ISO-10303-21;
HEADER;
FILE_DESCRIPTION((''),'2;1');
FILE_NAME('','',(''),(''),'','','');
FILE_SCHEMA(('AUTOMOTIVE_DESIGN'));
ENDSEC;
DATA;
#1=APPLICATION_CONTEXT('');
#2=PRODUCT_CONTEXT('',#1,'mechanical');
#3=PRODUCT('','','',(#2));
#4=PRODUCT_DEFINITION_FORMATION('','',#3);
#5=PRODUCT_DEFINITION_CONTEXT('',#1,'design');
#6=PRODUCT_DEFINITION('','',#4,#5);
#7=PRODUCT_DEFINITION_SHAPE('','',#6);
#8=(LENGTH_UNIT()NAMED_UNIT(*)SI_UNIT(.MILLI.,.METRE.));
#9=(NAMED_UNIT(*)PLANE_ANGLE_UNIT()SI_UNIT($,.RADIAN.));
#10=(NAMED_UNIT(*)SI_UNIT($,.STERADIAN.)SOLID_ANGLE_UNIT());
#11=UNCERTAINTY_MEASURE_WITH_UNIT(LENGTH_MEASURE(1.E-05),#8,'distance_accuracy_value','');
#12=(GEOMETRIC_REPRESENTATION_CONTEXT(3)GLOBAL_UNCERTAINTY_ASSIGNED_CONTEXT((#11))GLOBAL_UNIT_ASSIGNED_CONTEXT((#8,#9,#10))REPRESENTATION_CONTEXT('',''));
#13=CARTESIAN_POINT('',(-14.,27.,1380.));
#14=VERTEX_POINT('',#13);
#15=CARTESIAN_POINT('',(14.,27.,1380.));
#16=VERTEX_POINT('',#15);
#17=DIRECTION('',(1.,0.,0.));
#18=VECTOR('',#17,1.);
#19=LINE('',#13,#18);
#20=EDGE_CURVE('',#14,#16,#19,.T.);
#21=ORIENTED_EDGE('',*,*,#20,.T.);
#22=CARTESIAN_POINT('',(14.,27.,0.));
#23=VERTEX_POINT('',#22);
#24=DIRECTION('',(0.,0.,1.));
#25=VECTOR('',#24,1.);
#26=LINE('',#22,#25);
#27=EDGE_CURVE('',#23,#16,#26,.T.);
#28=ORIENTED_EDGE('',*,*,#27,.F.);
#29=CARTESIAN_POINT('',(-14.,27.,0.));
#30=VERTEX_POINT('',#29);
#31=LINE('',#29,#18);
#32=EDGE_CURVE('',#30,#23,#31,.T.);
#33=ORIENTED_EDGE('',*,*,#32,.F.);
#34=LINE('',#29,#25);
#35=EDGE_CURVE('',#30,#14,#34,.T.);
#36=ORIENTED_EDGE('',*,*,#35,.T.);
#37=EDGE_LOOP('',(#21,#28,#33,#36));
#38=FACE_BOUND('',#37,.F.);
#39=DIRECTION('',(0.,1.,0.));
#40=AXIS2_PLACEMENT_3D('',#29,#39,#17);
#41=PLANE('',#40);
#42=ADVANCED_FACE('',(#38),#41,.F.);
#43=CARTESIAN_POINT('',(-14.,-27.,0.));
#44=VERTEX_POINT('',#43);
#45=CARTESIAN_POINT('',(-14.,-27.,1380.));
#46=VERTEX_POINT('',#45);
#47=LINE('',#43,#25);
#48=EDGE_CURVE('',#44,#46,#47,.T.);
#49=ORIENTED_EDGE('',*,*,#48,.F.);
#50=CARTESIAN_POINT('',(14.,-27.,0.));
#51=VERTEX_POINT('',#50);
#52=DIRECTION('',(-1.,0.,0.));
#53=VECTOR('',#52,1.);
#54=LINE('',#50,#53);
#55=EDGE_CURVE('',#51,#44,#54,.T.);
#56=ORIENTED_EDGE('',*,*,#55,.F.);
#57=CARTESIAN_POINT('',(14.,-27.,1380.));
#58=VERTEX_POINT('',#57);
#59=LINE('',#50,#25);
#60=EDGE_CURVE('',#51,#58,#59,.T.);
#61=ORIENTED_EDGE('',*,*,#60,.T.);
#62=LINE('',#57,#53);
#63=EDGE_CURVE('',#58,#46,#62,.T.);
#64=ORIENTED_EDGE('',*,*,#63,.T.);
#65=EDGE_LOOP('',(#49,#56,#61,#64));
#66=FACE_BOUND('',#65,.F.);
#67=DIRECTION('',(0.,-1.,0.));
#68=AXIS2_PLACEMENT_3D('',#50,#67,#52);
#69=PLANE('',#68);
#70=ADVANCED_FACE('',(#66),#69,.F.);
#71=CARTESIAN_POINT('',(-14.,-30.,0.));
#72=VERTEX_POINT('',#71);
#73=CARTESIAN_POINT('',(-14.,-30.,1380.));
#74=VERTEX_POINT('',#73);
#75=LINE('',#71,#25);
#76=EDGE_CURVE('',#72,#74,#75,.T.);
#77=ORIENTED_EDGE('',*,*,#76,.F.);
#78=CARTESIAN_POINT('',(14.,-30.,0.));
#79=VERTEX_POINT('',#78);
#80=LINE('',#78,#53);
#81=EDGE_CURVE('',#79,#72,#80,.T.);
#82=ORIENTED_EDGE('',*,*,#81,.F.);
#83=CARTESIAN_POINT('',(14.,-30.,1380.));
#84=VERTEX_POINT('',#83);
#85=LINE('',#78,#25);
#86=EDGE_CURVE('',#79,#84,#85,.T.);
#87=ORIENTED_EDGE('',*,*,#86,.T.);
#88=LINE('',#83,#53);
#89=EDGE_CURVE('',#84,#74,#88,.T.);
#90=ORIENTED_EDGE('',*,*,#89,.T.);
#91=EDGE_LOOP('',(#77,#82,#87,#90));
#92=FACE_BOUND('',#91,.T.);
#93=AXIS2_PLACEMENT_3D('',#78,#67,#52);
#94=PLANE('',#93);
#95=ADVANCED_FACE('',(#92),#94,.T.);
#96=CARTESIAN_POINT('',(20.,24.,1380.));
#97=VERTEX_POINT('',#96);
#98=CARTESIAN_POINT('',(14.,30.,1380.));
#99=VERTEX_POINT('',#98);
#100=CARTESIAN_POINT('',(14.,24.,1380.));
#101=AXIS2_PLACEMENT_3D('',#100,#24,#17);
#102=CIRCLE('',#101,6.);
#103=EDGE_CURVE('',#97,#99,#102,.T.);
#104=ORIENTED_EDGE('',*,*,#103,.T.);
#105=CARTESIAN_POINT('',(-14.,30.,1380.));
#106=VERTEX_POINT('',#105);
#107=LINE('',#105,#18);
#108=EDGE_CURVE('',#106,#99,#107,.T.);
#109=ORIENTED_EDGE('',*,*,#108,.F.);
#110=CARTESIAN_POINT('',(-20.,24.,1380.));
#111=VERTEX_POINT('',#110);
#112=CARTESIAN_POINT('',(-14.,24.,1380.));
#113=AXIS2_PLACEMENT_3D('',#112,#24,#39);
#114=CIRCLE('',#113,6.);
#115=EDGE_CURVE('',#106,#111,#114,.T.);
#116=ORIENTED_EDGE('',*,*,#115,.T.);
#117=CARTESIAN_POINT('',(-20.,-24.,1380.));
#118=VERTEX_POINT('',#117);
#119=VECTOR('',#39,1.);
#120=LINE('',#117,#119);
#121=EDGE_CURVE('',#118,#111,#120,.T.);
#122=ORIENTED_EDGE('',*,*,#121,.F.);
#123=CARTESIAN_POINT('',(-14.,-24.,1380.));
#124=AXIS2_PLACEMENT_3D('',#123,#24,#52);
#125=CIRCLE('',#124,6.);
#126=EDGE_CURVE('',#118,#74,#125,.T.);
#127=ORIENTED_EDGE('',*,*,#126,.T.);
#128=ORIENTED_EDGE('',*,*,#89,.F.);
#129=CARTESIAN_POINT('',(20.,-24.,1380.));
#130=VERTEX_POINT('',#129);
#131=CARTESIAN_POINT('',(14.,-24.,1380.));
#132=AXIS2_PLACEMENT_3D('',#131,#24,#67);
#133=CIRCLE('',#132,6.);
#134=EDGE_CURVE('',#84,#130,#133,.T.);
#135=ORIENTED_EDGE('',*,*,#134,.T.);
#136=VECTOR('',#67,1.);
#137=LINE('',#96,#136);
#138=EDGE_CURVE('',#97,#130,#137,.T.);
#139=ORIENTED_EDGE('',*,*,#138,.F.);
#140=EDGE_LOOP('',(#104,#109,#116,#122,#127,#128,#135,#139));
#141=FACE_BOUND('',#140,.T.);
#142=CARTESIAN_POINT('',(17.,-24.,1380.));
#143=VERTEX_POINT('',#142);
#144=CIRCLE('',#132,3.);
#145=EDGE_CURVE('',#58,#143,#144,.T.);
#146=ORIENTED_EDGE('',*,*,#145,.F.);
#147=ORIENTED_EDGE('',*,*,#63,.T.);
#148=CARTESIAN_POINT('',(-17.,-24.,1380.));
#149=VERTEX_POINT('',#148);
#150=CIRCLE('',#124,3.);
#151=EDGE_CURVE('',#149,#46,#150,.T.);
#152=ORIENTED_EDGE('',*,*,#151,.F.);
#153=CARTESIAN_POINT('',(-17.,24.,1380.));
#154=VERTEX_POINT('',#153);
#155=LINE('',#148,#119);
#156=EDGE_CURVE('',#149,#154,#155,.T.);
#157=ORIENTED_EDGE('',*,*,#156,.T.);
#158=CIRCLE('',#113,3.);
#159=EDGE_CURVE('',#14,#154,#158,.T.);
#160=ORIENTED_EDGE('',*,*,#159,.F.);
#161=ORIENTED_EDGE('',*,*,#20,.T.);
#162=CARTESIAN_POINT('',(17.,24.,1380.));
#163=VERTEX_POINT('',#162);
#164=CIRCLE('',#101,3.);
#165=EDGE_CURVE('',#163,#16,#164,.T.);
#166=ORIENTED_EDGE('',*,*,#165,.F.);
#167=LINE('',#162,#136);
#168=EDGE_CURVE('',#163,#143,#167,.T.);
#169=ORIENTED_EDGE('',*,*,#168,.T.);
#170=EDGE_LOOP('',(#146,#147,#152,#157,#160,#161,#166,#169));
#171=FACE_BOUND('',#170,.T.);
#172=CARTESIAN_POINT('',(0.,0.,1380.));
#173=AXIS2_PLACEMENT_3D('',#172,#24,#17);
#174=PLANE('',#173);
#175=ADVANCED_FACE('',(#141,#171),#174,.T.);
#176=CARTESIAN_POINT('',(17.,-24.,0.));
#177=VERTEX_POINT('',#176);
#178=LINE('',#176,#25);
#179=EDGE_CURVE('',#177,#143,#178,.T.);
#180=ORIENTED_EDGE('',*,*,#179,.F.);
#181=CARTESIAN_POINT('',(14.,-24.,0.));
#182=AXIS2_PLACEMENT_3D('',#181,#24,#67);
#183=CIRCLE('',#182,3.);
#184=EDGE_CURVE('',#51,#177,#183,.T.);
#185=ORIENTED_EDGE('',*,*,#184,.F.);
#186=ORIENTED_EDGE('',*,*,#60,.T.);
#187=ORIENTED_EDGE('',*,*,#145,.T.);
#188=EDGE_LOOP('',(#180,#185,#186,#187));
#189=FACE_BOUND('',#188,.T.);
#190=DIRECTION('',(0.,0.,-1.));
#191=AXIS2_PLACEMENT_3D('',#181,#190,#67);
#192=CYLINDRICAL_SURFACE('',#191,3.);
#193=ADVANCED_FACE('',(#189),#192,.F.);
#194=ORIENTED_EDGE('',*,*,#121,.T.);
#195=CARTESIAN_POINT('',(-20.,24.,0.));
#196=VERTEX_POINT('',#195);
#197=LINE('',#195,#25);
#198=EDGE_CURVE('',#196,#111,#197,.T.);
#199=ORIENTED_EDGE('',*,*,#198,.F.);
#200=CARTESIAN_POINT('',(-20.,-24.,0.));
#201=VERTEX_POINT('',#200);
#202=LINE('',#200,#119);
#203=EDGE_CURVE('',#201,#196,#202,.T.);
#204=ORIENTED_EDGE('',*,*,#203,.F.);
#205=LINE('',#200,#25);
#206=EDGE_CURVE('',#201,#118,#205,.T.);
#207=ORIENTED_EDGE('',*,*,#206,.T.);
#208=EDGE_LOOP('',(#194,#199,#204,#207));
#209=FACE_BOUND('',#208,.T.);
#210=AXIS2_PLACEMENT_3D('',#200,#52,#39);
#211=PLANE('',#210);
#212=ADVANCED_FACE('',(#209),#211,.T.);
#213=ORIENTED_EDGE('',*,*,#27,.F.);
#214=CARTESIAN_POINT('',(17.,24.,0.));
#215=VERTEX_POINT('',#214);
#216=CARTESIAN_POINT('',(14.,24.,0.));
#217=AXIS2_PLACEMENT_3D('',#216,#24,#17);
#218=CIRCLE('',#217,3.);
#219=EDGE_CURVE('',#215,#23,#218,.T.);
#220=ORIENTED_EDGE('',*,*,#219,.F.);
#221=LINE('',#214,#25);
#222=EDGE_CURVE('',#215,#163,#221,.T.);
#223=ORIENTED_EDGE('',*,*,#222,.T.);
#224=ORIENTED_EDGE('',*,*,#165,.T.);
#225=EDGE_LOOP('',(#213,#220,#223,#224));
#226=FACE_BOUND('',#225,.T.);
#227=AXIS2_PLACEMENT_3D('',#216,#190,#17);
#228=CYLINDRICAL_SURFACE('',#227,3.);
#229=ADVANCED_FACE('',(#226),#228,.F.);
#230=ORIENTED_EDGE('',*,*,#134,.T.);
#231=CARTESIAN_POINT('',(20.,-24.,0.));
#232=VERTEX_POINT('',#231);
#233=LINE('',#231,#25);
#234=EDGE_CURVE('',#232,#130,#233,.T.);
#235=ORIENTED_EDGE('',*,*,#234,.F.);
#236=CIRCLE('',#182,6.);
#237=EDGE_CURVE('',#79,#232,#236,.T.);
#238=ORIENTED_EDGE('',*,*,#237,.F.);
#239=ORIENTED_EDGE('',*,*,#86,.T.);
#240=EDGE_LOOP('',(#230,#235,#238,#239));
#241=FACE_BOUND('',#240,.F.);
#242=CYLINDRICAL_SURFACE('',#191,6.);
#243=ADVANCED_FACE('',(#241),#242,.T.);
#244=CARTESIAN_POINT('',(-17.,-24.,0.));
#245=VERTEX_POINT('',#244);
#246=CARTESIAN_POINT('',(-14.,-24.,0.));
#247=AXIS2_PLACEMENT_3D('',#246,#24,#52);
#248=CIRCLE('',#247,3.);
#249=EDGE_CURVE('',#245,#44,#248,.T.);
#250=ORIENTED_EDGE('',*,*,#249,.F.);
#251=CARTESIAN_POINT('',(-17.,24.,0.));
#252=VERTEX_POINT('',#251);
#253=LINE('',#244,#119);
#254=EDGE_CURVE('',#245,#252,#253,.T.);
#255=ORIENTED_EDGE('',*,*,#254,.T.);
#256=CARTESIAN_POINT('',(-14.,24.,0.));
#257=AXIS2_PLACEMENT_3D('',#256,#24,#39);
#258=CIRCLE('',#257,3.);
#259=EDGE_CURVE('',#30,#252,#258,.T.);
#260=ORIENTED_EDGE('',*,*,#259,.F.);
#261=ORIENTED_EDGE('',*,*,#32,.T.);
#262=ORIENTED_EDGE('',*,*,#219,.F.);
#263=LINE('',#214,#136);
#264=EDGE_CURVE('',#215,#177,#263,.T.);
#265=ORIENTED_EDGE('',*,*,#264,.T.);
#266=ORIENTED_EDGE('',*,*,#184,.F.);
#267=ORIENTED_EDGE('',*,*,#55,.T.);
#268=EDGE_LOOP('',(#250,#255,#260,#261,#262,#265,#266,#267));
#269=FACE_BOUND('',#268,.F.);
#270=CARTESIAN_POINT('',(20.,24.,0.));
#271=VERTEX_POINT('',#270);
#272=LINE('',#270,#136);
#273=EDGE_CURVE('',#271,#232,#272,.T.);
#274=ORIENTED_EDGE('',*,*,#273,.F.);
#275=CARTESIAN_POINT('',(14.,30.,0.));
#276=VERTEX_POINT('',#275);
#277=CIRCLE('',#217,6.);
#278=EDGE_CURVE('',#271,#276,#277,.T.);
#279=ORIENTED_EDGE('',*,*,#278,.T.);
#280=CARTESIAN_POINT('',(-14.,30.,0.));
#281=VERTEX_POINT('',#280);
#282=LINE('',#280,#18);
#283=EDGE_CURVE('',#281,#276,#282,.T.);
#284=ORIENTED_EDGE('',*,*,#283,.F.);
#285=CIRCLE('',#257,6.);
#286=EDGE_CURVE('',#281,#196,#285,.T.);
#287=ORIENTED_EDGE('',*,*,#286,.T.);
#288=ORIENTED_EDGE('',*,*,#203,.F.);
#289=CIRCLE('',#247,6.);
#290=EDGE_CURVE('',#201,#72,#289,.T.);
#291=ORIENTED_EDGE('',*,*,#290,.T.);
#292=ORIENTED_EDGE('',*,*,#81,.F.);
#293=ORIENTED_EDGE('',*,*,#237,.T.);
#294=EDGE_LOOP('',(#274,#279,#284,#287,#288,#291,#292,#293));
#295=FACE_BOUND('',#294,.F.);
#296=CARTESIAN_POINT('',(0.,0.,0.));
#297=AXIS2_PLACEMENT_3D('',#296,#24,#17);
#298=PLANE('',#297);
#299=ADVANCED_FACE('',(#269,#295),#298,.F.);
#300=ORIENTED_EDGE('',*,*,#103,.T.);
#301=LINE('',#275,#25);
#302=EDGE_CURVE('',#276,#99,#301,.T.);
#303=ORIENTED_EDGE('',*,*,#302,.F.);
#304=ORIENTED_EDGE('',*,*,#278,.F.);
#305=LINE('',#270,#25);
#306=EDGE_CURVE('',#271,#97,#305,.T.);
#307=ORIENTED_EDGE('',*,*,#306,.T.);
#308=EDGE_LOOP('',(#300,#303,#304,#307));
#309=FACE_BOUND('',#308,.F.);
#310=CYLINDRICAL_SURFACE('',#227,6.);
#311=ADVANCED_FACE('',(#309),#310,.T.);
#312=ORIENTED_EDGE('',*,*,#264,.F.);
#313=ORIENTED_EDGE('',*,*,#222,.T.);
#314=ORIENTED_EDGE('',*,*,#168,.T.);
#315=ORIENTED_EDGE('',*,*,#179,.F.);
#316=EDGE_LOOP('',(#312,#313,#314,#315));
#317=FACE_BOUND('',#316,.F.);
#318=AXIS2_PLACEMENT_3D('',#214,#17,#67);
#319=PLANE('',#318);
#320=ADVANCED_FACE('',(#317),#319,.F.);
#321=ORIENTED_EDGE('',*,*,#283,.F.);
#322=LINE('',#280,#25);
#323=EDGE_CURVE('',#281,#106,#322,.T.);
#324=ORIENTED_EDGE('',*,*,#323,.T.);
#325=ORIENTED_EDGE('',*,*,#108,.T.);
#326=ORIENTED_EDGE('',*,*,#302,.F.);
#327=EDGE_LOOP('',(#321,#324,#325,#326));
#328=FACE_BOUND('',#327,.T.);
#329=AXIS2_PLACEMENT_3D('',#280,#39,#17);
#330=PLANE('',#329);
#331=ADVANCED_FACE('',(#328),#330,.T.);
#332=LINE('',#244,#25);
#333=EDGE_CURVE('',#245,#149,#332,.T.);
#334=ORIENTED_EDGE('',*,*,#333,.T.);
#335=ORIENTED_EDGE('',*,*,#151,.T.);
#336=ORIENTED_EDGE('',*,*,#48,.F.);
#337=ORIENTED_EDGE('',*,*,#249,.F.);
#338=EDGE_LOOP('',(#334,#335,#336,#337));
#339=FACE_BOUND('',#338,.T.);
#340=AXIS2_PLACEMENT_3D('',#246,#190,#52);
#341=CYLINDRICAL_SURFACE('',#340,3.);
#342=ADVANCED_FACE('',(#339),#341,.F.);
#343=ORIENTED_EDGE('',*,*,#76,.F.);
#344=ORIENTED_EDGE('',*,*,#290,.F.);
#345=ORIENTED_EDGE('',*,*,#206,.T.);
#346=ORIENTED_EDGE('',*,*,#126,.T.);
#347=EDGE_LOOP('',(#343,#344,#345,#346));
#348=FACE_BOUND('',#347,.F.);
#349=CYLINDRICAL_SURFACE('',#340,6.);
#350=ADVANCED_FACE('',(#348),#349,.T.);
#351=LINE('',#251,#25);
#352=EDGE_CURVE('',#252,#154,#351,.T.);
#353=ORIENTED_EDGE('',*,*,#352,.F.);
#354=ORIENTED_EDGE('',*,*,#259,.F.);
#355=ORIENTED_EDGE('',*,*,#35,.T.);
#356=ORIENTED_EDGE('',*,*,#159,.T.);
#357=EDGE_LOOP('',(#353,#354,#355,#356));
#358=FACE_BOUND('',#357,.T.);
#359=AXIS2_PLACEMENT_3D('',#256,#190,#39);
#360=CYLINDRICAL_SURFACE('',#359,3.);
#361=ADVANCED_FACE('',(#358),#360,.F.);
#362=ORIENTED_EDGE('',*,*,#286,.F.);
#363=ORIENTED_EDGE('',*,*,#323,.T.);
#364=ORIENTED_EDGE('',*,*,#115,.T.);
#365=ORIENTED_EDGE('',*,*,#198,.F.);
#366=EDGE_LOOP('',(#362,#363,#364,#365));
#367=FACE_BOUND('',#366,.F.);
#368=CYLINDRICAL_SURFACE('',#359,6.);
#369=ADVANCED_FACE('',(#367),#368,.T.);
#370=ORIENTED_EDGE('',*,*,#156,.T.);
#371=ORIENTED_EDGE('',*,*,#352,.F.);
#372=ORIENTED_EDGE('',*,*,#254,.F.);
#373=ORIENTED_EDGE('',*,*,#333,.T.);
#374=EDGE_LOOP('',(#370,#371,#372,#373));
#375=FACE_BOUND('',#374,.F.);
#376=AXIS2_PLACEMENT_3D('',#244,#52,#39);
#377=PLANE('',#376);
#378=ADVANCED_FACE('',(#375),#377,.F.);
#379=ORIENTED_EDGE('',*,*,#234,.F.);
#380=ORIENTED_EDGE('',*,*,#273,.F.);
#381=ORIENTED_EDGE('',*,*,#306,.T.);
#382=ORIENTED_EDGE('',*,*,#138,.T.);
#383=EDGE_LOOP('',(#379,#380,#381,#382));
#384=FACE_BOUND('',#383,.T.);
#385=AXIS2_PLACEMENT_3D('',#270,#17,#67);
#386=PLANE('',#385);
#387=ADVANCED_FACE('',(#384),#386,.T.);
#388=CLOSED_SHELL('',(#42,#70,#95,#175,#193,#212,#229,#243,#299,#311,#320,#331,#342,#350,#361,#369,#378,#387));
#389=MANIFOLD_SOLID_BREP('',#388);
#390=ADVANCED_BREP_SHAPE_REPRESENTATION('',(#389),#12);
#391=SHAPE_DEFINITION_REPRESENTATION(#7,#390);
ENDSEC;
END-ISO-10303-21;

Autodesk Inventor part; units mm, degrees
ref_plane "YZ Plane" through (0, 0, 0) normal (1, 0, 0) x (0, 1, 0)
ref_plane "Start plane" through (0, 0, 0) normal (0, 0, 1) x (1, 0, 0)
ref_plane "End plane" through (0, 0, 1380) normal (0, 0, 1) x (1, 0, 0)
sketch "Sketch" plane through (0, 0, 0) normal (0, 0, 1) x (1, 0, 0)
  line L0 (-20, -24) -> (-20, 24)
  line L1 (-14, 30) -> (14, 30)
  line L2 (20, 24) -> (20, -24)
  line L3 (14, -30) -> (-14, -30)
  arc A0 (-20, -24) -> (-14, -30) centre (-14, -24) ccw
  arc A1 (20, 24) -> (14, 30) centre (14, 24) ccw
  arc A2 (-14, 30) -> (-20, 24) centre (-14, 24) ccw
  arc A3 (14, -30) -> (20, -24) centre (14, -24) ccw
  arc A4 (-14, 27) -> (-17, 24) centre (-14, 24) ccw
  line L4 (-14, 27) -> (14, 27)
  arc A5 (17, 24) -> (14, 27) centre (14, 24) ccw
  line L5 (17, 24) -> (17, -24)
  arc A6 (14, -27) -> (17, -24) centre (14, -24) ccw
  line L6 (14, -27) -> (-14, -27)
  arc A7 (-17, -24) -> (-14, -27) centre (-14, -24) ccw
  line L7 (-17, -24) -> (-17, 24)
  line L8 (0, 37.1021) -> (0, -37.1021) construction
  line L9 (-23.1021, 0) -> (23.1021, 0) construction
  dimension "d7" = 6
  dimension "d9" = 40
  dimension "d11" = 60
  dimension "d12" = 3
  dimension "d15" = 20
  dimension "d16" = 30
extrude "Body" add sketch "Sketch" along normal up to surface (1380 mm away) from surface at 0
sketch "Sketch3" plane through (0, 0, 0) normal (0, 0, 1) x (1, 0, 0)
  line L0 (0, 0) -> (10, 0)
ref_plane "Work Plane3" through (0, 0, 0) normal (0, -1, 0) x (1, 0, 0)
sketch "Sketch4" plane through (0, 0, 0) normal (0, -1, 0) x (1, 0, 0)
  line L0 (-2, 0) -> (12, 0) projected
  line L1 (-2, 1380) -> (12, 1380) projected
  dimension "d18" = 1380
equation "\"d7\" = G_IR"
equation "\"d9\" = G_W"
equation "\"d11\" = G_H"
equation "\"d12\" = G_T"
equation "\"d15\" = 0.5 * d9"
equation "\"d16\" = 0.5 * d11"
equation "\"d3\" = G_L"
equation "\"G_W\" = 40"
equation "\"G_H\" = 60"
equation "\"G_T\" = 3"
equation "\"G_IR\" = 6"
equation "\"G_L\" = d18"
equation "\"G_OFFSET_START\" = 0"
equation "\"G_OFFSET_END\" = 0"
properties part number "ISO 4019 - 60x40x3 - 1380" material "Steel, Mild"
